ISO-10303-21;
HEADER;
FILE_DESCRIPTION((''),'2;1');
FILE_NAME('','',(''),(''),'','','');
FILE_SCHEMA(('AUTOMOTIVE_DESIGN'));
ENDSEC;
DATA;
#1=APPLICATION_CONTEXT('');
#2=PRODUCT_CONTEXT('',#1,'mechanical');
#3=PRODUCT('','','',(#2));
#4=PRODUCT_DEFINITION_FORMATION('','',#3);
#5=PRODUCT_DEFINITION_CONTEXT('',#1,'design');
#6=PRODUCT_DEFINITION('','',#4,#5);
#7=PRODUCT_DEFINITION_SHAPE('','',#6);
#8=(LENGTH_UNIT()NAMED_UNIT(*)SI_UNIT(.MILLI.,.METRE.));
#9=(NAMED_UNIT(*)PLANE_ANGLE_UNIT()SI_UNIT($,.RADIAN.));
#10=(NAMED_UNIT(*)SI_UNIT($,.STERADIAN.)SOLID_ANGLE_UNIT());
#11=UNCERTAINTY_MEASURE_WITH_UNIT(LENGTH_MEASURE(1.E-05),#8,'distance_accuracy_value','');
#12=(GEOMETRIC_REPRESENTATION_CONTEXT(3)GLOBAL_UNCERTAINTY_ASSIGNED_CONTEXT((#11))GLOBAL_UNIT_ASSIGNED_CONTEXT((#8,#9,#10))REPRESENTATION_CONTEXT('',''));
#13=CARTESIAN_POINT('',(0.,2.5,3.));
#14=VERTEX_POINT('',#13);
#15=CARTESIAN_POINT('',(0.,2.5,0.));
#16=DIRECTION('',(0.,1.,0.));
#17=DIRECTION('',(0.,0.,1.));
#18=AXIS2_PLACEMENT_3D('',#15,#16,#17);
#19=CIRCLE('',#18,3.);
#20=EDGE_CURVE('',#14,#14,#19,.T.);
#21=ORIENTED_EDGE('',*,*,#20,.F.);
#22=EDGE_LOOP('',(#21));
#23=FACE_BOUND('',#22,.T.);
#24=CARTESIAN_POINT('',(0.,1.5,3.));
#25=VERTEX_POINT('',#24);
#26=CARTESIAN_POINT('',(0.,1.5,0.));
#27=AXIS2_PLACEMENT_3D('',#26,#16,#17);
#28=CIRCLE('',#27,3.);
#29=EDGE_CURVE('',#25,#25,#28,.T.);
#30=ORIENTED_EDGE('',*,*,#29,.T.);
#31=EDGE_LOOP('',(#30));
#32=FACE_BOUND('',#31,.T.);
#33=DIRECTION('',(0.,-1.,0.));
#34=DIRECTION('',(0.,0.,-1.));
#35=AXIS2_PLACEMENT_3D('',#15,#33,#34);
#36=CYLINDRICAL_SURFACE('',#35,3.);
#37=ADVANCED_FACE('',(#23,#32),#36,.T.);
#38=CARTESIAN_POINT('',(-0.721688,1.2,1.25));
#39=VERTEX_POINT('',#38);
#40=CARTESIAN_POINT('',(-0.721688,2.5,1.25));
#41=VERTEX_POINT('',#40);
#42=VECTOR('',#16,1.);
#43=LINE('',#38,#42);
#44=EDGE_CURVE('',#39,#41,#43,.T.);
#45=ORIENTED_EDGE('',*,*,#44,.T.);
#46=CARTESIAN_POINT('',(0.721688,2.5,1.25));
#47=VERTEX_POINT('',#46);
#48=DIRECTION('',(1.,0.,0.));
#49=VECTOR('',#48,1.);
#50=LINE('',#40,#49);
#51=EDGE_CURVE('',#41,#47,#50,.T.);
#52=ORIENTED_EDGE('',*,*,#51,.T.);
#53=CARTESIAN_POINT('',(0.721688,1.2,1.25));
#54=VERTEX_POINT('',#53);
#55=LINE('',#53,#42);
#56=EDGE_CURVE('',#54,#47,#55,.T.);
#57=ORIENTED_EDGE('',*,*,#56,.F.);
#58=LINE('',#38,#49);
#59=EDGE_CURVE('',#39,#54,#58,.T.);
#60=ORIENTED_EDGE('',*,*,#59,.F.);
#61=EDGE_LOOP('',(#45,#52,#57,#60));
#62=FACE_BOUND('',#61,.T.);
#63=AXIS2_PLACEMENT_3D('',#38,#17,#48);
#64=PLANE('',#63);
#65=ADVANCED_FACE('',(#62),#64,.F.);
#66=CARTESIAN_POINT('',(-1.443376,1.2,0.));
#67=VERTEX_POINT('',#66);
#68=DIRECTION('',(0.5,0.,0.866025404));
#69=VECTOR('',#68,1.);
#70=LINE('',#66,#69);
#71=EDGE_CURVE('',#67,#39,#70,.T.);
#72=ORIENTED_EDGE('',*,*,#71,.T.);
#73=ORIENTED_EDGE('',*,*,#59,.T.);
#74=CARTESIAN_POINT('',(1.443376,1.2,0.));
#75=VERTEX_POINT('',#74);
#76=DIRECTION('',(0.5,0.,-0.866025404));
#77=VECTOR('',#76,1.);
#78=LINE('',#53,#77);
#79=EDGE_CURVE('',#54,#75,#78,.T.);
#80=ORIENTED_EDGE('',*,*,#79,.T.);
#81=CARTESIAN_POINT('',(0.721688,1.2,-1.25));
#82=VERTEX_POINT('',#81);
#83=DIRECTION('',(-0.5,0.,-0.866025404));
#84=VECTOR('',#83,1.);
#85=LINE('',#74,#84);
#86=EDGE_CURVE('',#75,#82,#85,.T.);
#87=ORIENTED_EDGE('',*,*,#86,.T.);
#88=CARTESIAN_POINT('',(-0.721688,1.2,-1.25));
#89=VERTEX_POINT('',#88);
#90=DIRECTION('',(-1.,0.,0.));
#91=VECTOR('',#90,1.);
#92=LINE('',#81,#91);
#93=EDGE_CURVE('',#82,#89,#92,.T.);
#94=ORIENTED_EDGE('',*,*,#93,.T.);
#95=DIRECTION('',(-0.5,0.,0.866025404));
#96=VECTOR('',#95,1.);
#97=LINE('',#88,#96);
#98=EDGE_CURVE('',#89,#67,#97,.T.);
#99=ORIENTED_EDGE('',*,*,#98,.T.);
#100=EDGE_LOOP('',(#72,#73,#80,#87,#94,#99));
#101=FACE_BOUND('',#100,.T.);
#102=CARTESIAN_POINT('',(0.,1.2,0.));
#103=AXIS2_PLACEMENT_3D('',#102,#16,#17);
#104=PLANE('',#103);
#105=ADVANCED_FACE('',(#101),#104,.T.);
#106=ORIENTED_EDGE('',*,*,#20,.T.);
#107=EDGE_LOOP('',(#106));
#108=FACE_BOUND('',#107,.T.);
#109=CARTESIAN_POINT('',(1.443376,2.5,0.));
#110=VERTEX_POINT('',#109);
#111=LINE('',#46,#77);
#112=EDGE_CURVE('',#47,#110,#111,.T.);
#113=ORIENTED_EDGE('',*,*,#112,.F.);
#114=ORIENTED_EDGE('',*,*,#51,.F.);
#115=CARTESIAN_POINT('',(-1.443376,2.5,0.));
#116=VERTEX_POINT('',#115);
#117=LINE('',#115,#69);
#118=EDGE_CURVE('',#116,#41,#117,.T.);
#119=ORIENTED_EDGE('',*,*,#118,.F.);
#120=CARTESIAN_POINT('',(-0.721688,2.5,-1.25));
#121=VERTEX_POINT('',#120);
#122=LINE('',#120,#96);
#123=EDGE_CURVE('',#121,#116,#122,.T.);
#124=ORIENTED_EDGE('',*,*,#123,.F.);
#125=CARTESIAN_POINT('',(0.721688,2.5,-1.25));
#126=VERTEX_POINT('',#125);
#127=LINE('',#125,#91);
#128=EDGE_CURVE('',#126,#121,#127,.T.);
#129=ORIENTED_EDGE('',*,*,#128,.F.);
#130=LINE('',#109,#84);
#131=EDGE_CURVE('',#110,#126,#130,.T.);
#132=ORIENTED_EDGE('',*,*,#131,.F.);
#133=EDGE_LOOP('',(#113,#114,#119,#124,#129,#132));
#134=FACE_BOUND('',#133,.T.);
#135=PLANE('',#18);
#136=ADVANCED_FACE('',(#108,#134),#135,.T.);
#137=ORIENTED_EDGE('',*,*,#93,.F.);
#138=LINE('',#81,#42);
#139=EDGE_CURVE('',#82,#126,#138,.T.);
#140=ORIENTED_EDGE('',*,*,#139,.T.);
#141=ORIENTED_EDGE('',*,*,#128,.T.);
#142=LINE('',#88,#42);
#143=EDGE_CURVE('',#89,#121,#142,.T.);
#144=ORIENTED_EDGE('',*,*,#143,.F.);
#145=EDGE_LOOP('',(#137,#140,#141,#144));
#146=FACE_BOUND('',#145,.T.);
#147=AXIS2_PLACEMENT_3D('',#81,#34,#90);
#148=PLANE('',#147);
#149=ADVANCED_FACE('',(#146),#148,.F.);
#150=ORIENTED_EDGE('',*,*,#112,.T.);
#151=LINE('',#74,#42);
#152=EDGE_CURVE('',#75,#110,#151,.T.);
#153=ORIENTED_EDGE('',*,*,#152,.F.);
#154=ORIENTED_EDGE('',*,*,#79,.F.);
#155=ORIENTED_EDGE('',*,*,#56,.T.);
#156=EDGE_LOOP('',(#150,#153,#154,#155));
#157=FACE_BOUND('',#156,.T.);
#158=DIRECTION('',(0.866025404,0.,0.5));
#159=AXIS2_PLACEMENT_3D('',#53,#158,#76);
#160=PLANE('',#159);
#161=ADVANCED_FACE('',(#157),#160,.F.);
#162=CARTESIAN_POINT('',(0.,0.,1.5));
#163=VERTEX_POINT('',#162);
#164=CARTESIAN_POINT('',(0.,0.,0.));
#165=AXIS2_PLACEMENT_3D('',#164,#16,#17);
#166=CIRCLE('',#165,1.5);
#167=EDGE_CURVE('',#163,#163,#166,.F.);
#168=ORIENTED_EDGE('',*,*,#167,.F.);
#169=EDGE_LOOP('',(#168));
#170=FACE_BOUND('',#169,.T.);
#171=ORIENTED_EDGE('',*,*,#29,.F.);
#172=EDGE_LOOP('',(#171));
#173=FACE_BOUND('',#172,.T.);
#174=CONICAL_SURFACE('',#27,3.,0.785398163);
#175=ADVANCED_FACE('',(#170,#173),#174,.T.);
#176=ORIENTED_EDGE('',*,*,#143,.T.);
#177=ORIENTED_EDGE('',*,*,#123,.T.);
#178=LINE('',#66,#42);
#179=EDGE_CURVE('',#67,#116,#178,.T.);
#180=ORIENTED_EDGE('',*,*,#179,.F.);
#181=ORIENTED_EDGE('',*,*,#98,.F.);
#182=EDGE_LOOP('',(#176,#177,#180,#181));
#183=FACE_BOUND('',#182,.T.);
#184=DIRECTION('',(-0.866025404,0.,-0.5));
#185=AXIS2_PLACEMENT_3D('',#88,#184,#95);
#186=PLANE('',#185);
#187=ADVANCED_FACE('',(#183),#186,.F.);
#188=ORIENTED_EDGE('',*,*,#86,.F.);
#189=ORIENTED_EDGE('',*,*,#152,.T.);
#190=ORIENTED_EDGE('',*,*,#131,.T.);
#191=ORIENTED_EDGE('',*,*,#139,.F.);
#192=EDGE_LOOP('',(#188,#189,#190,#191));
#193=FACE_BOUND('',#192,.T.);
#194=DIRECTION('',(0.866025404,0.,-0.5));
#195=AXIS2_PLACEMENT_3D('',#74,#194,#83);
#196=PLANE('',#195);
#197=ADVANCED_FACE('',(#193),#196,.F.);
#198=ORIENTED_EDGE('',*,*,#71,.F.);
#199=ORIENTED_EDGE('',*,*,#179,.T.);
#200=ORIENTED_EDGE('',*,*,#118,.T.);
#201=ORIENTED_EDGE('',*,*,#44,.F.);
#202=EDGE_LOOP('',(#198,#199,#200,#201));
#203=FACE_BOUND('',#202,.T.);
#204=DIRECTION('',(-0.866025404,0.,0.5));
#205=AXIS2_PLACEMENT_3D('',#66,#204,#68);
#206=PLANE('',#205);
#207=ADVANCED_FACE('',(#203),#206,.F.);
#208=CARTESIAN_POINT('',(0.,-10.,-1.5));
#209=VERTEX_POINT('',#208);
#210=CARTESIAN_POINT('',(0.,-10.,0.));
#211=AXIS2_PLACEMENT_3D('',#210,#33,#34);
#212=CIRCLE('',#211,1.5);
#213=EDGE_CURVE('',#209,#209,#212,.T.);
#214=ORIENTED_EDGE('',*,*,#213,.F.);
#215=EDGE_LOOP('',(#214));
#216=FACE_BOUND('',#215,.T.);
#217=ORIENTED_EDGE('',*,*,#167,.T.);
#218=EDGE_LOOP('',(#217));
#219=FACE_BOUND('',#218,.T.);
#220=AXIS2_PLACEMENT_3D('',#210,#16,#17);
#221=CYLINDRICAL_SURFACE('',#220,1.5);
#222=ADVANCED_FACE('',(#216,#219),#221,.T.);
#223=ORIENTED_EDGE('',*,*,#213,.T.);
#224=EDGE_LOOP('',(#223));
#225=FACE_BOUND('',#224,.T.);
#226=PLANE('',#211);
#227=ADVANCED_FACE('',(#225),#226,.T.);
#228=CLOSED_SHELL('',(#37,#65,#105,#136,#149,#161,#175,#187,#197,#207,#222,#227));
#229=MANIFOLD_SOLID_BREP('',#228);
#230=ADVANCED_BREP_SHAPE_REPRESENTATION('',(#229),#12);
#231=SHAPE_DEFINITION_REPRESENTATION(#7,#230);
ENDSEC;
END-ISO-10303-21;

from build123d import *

# Parameters (mm, degrees)
SKETCH_1_R            = 3
EXTRUDE_251_DEPTH     = 2.5
CHAMFER_1_SIZE        = 1.5
CUT_EXTRUDE_459_DEPTH = 1.3
SKETCH_3_R            = 1.5
EXTRUDE_571_DEPTH     = 10


with BuildPart() as part:
    # 草图1 → Extrude 251 (new body)
    with BuildSketch(Plane(origin=(0, 0, 0), x_dir=(1, 0, 0), z_dir=(0, 1, 0))):
        Circle(SKETCH_1_R)
    extrude(amount=EXTRUDE_251_DEPTH)

    # 倒角1
    chamfer_1_edges = [part.edges().sort_by_distance(p)[0] for p in [
        (-3, 0, 0),
    ]]
    chamfer(chamfer_1_edges, length=CHAMFER_1_SIZE)

    # 草图2 → Cut-Extrude 459 (cut)
    with BuildSketch(Plane(origin=(0, 2.5, 0), x_dir=(1, 0, 0), z_dir=(0, 1, 0))):
        Polygon((1.443375673, 0), (0.721687836, 1.25), (-0.721687836, 1.25), (-1.443375673, 0), (-0.721687836, -1.25), (0.721687836, -1.25), align=None)
    extrude(amount=-CUT_EXTRUDE_459_DEPTH, mode=Mode.SUBTRACT)

    # 草图3 → Extrude 571 (add)
    with BuildSketch(Plane.XZ):
        Circle(SKETCH_3_R)
    extrude(amount=EXTRUDE_571_DEPTH)


solid = part.part
